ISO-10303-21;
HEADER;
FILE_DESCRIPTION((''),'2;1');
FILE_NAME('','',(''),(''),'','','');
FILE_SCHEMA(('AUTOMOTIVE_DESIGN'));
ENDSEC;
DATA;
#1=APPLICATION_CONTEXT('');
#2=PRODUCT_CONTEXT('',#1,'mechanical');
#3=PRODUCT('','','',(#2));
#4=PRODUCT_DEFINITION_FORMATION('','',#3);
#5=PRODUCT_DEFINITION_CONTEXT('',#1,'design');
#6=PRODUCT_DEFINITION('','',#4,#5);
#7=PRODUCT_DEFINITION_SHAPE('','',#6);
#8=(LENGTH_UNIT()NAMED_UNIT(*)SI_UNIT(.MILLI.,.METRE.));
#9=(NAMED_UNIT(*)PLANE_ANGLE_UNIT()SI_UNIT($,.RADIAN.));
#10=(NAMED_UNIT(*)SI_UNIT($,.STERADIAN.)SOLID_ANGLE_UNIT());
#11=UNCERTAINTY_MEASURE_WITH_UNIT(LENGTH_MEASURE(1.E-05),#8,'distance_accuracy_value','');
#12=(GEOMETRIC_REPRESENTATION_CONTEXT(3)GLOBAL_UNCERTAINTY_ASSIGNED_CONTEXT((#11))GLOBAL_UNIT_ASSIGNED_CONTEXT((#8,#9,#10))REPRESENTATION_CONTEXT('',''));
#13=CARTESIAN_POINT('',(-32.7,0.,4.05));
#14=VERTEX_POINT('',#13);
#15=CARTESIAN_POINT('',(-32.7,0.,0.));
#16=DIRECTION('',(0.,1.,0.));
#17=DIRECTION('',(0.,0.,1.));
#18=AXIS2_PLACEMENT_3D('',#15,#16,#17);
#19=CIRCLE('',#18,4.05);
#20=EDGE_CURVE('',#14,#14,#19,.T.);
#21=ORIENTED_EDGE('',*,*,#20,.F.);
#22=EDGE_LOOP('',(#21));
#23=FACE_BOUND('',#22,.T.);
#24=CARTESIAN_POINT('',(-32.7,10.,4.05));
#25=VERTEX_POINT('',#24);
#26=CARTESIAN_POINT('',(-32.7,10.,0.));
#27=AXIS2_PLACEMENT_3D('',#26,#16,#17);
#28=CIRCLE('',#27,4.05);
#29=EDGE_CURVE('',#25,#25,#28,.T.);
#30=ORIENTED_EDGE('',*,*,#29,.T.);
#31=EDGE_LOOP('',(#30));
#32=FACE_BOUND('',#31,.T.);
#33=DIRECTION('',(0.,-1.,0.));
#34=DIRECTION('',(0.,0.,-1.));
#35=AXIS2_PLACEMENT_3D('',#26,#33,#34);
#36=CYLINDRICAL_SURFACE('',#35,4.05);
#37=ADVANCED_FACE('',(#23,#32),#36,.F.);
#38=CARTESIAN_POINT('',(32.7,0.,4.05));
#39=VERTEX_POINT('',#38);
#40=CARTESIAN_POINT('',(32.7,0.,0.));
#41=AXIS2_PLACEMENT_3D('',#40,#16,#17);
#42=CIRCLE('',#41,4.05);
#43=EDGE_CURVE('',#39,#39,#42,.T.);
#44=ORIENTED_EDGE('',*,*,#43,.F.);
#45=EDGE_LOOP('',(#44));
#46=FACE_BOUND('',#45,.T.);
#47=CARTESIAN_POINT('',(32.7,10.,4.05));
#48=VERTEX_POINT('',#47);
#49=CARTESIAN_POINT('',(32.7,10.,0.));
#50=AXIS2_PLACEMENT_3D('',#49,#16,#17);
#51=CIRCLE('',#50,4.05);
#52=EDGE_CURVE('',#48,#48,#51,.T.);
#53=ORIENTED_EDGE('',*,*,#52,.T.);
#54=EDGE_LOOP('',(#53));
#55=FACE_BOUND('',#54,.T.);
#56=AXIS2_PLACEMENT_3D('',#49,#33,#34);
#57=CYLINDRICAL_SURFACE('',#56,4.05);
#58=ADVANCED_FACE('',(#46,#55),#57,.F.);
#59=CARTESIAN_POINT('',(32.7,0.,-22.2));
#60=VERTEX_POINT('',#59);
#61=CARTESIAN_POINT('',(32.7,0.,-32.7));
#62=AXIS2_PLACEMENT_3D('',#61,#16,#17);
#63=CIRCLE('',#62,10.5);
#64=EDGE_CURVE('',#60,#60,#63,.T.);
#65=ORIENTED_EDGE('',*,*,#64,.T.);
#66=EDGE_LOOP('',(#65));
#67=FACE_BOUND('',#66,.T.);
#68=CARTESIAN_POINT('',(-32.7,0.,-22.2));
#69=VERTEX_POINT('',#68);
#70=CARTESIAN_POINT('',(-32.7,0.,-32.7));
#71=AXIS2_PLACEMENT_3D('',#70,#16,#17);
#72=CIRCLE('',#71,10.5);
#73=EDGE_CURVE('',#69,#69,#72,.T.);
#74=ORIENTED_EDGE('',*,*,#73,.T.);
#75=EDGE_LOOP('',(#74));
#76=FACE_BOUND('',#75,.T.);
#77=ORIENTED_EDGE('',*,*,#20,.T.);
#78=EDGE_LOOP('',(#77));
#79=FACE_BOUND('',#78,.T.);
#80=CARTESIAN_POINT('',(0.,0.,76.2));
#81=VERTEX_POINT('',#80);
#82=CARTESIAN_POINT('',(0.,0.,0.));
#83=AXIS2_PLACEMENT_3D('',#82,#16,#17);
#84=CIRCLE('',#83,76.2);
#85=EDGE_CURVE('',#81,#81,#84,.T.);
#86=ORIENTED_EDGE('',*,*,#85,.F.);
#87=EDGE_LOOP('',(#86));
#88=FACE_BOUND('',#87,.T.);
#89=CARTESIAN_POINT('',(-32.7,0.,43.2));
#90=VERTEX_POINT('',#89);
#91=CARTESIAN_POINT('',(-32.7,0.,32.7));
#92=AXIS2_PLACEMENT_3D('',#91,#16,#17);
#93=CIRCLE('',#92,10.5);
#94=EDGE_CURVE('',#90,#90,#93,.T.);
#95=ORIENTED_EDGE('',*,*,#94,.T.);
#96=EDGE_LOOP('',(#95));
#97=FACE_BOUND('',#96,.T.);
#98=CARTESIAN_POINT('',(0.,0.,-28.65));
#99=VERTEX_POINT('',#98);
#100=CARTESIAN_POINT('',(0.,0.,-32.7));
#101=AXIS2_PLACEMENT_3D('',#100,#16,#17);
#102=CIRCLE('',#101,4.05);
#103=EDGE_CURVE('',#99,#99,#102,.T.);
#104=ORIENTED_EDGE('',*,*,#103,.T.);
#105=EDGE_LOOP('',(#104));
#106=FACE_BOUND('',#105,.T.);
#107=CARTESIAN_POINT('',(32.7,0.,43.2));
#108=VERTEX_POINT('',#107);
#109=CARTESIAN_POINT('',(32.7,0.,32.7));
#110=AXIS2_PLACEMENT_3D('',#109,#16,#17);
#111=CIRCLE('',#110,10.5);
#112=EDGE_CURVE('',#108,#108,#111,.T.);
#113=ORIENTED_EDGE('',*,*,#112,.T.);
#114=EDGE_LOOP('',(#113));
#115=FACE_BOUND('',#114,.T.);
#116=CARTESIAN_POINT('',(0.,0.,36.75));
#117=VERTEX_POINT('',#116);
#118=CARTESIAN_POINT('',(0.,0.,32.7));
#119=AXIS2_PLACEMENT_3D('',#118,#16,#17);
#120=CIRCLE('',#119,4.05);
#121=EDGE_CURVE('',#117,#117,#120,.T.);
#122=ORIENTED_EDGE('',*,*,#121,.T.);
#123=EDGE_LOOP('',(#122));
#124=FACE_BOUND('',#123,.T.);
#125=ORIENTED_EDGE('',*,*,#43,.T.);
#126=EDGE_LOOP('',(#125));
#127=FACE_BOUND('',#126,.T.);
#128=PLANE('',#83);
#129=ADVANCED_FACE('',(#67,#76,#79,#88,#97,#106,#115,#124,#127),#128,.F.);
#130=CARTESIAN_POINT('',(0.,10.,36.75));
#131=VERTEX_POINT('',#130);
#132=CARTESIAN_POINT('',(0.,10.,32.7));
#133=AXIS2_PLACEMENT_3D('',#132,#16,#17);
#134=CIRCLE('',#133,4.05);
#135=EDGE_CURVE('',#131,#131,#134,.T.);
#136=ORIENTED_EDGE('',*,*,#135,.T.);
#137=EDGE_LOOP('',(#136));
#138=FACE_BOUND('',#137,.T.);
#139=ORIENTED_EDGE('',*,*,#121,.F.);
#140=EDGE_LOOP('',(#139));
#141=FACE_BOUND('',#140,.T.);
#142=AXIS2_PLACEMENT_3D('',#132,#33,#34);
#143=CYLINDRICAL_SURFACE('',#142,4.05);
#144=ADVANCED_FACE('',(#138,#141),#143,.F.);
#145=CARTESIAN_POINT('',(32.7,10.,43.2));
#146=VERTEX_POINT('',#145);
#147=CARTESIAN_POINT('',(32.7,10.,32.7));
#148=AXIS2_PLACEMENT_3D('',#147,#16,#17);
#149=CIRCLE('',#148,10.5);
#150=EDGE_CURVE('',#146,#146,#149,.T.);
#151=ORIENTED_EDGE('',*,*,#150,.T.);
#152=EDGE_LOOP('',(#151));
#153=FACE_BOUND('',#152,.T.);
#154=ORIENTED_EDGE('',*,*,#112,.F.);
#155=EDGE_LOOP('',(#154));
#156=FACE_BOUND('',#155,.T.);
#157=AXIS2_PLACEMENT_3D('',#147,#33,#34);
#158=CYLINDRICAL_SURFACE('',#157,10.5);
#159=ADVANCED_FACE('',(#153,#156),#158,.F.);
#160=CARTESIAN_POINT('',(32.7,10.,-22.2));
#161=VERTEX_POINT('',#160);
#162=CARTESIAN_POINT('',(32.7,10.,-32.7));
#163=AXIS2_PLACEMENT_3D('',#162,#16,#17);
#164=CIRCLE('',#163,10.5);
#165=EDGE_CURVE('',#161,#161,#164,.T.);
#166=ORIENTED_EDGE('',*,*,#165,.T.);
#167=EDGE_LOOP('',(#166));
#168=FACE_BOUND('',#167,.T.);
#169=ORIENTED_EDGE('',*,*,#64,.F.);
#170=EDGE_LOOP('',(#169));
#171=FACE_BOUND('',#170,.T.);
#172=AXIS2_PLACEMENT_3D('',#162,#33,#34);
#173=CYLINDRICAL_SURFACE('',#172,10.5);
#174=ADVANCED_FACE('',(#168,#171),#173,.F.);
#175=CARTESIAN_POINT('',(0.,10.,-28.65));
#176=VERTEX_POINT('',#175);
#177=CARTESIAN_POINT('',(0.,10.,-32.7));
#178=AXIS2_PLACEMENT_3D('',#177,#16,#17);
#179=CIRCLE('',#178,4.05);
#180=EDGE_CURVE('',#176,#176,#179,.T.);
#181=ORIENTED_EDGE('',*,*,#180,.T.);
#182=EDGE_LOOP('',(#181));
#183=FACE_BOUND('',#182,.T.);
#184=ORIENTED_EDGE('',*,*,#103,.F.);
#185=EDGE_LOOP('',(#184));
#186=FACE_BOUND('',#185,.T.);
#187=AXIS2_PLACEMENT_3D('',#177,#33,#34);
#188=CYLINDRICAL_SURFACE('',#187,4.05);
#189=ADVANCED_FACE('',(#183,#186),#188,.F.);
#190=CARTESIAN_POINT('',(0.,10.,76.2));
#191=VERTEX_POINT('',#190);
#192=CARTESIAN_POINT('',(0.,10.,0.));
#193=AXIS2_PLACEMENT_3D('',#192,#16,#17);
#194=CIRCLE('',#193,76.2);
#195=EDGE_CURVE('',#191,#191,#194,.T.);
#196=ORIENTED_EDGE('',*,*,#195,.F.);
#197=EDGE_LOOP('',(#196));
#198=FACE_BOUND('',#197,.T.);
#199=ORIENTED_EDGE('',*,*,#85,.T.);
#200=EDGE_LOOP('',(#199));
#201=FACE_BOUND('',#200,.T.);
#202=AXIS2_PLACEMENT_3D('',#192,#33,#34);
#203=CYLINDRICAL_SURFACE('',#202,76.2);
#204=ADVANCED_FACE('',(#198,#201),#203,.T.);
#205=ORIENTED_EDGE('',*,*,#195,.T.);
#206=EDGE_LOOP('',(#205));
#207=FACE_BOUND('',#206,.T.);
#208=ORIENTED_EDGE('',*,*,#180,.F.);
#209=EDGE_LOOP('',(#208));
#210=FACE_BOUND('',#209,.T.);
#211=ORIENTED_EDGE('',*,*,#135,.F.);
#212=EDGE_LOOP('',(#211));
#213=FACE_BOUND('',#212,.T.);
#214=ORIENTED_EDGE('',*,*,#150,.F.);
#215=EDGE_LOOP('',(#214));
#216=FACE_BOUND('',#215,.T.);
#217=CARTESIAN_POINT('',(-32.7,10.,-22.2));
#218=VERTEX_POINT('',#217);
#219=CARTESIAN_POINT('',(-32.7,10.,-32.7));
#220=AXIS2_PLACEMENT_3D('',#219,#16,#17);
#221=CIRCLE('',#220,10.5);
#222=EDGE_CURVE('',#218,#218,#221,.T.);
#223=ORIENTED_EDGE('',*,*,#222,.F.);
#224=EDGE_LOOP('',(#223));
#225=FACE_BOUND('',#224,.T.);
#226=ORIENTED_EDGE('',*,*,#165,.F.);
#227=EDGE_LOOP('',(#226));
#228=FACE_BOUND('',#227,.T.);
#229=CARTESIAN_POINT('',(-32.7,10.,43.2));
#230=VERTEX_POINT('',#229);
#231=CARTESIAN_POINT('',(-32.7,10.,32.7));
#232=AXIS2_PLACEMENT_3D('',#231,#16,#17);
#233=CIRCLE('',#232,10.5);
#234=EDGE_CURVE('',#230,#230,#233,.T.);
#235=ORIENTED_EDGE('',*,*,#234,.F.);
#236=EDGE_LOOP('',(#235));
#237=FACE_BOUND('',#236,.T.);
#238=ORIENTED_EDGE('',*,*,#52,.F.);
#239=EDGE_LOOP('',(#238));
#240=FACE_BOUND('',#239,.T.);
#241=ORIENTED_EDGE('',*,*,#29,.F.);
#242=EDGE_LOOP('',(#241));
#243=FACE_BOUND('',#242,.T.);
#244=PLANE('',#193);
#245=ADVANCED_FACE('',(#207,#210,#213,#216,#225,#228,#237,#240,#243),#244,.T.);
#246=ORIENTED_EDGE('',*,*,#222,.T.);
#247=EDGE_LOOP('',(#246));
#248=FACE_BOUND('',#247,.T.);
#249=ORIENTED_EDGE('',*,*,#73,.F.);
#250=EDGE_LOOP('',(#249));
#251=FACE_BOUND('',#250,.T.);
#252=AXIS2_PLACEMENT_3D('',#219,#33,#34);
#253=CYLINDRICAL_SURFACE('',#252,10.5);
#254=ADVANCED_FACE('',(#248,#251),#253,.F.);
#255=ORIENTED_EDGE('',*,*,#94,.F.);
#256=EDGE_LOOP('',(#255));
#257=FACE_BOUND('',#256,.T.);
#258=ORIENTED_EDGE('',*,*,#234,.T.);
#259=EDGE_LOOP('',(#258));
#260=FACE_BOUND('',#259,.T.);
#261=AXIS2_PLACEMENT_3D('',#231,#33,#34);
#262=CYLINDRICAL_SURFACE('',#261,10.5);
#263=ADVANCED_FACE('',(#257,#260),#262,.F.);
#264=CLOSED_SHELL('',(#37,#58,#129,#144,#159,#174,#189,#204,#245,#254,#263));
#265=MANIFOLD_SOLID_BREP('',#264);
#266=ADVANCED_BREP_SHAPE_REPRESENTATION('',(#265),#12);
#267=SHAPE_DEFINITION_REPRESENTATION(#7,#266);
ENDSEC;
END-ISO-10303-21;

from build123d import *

# Parameters (mm, degrees)
SKETCH2_R           = 76.2
SKETCH2_R_2         = 10.5
SKETCH2_R_3         = 4.05
BOSS_EXTRUDE2_DEPTH = 10


with BuildPart() as part:
    # Sketch2 → Boss-Extrude2 (new body)
    with BuildSketch(Plane(origin=(0, 0, 0), x_dir=(1, 0, 0), z_dir=(0, 1, 0))):
        with Locations(Location((0, 0, 0), (0, 0, 270))):
            Circle(SKETCH2_R)
        with Locations(Location((-32.7, 32.7, 0), (0, 0, 270))):
            Circle(SKETCH2_R_2, mode=Mode.SUBTRACT)
        with Locations(Location((32.7, 32.7, 0), (0, 0, 270))):
            Circle(SKETCH2_R_2, mode=Mode.SUBTRACT)
        with Locations(Location((32.7, -32.7, 0), (0, 0, 270))):
            Circle(SKETCH2_R_2, mode=Mode.SUBTRACT)
        with Locations(Location((-32.7, -32.7, 0), (0, 0, 270))):
            Circle(SKETCH2_R_2, mode=Mode.SUBTRACT)
        with Locations(Location((0, 32.7, 0), (0, 0, 270))):
            Circle(SKETCH2_R_3, mode=Mode.SUBTRACT)
        with Locations(Location((32.7, 0, 0), (0, 0, 270))):
            Circle(SKETCH2_R_3, mode=Mode.SUBTRACT)
        with Locations(Location((0, -32.7, 0), (0, 0, 270))):
            Circle(SKETCH2_R_3, mode=Mode.SUBTRACT)
        with Locations(Location((-32.7, 0, 0), (0, 0, 270))):
            Circle(SKETCH2_R_3, mode=Mode.SUBTRACT)
    extrude(amount=BOSS_EXTRUDE2_DEPTH)


solid = part.part
